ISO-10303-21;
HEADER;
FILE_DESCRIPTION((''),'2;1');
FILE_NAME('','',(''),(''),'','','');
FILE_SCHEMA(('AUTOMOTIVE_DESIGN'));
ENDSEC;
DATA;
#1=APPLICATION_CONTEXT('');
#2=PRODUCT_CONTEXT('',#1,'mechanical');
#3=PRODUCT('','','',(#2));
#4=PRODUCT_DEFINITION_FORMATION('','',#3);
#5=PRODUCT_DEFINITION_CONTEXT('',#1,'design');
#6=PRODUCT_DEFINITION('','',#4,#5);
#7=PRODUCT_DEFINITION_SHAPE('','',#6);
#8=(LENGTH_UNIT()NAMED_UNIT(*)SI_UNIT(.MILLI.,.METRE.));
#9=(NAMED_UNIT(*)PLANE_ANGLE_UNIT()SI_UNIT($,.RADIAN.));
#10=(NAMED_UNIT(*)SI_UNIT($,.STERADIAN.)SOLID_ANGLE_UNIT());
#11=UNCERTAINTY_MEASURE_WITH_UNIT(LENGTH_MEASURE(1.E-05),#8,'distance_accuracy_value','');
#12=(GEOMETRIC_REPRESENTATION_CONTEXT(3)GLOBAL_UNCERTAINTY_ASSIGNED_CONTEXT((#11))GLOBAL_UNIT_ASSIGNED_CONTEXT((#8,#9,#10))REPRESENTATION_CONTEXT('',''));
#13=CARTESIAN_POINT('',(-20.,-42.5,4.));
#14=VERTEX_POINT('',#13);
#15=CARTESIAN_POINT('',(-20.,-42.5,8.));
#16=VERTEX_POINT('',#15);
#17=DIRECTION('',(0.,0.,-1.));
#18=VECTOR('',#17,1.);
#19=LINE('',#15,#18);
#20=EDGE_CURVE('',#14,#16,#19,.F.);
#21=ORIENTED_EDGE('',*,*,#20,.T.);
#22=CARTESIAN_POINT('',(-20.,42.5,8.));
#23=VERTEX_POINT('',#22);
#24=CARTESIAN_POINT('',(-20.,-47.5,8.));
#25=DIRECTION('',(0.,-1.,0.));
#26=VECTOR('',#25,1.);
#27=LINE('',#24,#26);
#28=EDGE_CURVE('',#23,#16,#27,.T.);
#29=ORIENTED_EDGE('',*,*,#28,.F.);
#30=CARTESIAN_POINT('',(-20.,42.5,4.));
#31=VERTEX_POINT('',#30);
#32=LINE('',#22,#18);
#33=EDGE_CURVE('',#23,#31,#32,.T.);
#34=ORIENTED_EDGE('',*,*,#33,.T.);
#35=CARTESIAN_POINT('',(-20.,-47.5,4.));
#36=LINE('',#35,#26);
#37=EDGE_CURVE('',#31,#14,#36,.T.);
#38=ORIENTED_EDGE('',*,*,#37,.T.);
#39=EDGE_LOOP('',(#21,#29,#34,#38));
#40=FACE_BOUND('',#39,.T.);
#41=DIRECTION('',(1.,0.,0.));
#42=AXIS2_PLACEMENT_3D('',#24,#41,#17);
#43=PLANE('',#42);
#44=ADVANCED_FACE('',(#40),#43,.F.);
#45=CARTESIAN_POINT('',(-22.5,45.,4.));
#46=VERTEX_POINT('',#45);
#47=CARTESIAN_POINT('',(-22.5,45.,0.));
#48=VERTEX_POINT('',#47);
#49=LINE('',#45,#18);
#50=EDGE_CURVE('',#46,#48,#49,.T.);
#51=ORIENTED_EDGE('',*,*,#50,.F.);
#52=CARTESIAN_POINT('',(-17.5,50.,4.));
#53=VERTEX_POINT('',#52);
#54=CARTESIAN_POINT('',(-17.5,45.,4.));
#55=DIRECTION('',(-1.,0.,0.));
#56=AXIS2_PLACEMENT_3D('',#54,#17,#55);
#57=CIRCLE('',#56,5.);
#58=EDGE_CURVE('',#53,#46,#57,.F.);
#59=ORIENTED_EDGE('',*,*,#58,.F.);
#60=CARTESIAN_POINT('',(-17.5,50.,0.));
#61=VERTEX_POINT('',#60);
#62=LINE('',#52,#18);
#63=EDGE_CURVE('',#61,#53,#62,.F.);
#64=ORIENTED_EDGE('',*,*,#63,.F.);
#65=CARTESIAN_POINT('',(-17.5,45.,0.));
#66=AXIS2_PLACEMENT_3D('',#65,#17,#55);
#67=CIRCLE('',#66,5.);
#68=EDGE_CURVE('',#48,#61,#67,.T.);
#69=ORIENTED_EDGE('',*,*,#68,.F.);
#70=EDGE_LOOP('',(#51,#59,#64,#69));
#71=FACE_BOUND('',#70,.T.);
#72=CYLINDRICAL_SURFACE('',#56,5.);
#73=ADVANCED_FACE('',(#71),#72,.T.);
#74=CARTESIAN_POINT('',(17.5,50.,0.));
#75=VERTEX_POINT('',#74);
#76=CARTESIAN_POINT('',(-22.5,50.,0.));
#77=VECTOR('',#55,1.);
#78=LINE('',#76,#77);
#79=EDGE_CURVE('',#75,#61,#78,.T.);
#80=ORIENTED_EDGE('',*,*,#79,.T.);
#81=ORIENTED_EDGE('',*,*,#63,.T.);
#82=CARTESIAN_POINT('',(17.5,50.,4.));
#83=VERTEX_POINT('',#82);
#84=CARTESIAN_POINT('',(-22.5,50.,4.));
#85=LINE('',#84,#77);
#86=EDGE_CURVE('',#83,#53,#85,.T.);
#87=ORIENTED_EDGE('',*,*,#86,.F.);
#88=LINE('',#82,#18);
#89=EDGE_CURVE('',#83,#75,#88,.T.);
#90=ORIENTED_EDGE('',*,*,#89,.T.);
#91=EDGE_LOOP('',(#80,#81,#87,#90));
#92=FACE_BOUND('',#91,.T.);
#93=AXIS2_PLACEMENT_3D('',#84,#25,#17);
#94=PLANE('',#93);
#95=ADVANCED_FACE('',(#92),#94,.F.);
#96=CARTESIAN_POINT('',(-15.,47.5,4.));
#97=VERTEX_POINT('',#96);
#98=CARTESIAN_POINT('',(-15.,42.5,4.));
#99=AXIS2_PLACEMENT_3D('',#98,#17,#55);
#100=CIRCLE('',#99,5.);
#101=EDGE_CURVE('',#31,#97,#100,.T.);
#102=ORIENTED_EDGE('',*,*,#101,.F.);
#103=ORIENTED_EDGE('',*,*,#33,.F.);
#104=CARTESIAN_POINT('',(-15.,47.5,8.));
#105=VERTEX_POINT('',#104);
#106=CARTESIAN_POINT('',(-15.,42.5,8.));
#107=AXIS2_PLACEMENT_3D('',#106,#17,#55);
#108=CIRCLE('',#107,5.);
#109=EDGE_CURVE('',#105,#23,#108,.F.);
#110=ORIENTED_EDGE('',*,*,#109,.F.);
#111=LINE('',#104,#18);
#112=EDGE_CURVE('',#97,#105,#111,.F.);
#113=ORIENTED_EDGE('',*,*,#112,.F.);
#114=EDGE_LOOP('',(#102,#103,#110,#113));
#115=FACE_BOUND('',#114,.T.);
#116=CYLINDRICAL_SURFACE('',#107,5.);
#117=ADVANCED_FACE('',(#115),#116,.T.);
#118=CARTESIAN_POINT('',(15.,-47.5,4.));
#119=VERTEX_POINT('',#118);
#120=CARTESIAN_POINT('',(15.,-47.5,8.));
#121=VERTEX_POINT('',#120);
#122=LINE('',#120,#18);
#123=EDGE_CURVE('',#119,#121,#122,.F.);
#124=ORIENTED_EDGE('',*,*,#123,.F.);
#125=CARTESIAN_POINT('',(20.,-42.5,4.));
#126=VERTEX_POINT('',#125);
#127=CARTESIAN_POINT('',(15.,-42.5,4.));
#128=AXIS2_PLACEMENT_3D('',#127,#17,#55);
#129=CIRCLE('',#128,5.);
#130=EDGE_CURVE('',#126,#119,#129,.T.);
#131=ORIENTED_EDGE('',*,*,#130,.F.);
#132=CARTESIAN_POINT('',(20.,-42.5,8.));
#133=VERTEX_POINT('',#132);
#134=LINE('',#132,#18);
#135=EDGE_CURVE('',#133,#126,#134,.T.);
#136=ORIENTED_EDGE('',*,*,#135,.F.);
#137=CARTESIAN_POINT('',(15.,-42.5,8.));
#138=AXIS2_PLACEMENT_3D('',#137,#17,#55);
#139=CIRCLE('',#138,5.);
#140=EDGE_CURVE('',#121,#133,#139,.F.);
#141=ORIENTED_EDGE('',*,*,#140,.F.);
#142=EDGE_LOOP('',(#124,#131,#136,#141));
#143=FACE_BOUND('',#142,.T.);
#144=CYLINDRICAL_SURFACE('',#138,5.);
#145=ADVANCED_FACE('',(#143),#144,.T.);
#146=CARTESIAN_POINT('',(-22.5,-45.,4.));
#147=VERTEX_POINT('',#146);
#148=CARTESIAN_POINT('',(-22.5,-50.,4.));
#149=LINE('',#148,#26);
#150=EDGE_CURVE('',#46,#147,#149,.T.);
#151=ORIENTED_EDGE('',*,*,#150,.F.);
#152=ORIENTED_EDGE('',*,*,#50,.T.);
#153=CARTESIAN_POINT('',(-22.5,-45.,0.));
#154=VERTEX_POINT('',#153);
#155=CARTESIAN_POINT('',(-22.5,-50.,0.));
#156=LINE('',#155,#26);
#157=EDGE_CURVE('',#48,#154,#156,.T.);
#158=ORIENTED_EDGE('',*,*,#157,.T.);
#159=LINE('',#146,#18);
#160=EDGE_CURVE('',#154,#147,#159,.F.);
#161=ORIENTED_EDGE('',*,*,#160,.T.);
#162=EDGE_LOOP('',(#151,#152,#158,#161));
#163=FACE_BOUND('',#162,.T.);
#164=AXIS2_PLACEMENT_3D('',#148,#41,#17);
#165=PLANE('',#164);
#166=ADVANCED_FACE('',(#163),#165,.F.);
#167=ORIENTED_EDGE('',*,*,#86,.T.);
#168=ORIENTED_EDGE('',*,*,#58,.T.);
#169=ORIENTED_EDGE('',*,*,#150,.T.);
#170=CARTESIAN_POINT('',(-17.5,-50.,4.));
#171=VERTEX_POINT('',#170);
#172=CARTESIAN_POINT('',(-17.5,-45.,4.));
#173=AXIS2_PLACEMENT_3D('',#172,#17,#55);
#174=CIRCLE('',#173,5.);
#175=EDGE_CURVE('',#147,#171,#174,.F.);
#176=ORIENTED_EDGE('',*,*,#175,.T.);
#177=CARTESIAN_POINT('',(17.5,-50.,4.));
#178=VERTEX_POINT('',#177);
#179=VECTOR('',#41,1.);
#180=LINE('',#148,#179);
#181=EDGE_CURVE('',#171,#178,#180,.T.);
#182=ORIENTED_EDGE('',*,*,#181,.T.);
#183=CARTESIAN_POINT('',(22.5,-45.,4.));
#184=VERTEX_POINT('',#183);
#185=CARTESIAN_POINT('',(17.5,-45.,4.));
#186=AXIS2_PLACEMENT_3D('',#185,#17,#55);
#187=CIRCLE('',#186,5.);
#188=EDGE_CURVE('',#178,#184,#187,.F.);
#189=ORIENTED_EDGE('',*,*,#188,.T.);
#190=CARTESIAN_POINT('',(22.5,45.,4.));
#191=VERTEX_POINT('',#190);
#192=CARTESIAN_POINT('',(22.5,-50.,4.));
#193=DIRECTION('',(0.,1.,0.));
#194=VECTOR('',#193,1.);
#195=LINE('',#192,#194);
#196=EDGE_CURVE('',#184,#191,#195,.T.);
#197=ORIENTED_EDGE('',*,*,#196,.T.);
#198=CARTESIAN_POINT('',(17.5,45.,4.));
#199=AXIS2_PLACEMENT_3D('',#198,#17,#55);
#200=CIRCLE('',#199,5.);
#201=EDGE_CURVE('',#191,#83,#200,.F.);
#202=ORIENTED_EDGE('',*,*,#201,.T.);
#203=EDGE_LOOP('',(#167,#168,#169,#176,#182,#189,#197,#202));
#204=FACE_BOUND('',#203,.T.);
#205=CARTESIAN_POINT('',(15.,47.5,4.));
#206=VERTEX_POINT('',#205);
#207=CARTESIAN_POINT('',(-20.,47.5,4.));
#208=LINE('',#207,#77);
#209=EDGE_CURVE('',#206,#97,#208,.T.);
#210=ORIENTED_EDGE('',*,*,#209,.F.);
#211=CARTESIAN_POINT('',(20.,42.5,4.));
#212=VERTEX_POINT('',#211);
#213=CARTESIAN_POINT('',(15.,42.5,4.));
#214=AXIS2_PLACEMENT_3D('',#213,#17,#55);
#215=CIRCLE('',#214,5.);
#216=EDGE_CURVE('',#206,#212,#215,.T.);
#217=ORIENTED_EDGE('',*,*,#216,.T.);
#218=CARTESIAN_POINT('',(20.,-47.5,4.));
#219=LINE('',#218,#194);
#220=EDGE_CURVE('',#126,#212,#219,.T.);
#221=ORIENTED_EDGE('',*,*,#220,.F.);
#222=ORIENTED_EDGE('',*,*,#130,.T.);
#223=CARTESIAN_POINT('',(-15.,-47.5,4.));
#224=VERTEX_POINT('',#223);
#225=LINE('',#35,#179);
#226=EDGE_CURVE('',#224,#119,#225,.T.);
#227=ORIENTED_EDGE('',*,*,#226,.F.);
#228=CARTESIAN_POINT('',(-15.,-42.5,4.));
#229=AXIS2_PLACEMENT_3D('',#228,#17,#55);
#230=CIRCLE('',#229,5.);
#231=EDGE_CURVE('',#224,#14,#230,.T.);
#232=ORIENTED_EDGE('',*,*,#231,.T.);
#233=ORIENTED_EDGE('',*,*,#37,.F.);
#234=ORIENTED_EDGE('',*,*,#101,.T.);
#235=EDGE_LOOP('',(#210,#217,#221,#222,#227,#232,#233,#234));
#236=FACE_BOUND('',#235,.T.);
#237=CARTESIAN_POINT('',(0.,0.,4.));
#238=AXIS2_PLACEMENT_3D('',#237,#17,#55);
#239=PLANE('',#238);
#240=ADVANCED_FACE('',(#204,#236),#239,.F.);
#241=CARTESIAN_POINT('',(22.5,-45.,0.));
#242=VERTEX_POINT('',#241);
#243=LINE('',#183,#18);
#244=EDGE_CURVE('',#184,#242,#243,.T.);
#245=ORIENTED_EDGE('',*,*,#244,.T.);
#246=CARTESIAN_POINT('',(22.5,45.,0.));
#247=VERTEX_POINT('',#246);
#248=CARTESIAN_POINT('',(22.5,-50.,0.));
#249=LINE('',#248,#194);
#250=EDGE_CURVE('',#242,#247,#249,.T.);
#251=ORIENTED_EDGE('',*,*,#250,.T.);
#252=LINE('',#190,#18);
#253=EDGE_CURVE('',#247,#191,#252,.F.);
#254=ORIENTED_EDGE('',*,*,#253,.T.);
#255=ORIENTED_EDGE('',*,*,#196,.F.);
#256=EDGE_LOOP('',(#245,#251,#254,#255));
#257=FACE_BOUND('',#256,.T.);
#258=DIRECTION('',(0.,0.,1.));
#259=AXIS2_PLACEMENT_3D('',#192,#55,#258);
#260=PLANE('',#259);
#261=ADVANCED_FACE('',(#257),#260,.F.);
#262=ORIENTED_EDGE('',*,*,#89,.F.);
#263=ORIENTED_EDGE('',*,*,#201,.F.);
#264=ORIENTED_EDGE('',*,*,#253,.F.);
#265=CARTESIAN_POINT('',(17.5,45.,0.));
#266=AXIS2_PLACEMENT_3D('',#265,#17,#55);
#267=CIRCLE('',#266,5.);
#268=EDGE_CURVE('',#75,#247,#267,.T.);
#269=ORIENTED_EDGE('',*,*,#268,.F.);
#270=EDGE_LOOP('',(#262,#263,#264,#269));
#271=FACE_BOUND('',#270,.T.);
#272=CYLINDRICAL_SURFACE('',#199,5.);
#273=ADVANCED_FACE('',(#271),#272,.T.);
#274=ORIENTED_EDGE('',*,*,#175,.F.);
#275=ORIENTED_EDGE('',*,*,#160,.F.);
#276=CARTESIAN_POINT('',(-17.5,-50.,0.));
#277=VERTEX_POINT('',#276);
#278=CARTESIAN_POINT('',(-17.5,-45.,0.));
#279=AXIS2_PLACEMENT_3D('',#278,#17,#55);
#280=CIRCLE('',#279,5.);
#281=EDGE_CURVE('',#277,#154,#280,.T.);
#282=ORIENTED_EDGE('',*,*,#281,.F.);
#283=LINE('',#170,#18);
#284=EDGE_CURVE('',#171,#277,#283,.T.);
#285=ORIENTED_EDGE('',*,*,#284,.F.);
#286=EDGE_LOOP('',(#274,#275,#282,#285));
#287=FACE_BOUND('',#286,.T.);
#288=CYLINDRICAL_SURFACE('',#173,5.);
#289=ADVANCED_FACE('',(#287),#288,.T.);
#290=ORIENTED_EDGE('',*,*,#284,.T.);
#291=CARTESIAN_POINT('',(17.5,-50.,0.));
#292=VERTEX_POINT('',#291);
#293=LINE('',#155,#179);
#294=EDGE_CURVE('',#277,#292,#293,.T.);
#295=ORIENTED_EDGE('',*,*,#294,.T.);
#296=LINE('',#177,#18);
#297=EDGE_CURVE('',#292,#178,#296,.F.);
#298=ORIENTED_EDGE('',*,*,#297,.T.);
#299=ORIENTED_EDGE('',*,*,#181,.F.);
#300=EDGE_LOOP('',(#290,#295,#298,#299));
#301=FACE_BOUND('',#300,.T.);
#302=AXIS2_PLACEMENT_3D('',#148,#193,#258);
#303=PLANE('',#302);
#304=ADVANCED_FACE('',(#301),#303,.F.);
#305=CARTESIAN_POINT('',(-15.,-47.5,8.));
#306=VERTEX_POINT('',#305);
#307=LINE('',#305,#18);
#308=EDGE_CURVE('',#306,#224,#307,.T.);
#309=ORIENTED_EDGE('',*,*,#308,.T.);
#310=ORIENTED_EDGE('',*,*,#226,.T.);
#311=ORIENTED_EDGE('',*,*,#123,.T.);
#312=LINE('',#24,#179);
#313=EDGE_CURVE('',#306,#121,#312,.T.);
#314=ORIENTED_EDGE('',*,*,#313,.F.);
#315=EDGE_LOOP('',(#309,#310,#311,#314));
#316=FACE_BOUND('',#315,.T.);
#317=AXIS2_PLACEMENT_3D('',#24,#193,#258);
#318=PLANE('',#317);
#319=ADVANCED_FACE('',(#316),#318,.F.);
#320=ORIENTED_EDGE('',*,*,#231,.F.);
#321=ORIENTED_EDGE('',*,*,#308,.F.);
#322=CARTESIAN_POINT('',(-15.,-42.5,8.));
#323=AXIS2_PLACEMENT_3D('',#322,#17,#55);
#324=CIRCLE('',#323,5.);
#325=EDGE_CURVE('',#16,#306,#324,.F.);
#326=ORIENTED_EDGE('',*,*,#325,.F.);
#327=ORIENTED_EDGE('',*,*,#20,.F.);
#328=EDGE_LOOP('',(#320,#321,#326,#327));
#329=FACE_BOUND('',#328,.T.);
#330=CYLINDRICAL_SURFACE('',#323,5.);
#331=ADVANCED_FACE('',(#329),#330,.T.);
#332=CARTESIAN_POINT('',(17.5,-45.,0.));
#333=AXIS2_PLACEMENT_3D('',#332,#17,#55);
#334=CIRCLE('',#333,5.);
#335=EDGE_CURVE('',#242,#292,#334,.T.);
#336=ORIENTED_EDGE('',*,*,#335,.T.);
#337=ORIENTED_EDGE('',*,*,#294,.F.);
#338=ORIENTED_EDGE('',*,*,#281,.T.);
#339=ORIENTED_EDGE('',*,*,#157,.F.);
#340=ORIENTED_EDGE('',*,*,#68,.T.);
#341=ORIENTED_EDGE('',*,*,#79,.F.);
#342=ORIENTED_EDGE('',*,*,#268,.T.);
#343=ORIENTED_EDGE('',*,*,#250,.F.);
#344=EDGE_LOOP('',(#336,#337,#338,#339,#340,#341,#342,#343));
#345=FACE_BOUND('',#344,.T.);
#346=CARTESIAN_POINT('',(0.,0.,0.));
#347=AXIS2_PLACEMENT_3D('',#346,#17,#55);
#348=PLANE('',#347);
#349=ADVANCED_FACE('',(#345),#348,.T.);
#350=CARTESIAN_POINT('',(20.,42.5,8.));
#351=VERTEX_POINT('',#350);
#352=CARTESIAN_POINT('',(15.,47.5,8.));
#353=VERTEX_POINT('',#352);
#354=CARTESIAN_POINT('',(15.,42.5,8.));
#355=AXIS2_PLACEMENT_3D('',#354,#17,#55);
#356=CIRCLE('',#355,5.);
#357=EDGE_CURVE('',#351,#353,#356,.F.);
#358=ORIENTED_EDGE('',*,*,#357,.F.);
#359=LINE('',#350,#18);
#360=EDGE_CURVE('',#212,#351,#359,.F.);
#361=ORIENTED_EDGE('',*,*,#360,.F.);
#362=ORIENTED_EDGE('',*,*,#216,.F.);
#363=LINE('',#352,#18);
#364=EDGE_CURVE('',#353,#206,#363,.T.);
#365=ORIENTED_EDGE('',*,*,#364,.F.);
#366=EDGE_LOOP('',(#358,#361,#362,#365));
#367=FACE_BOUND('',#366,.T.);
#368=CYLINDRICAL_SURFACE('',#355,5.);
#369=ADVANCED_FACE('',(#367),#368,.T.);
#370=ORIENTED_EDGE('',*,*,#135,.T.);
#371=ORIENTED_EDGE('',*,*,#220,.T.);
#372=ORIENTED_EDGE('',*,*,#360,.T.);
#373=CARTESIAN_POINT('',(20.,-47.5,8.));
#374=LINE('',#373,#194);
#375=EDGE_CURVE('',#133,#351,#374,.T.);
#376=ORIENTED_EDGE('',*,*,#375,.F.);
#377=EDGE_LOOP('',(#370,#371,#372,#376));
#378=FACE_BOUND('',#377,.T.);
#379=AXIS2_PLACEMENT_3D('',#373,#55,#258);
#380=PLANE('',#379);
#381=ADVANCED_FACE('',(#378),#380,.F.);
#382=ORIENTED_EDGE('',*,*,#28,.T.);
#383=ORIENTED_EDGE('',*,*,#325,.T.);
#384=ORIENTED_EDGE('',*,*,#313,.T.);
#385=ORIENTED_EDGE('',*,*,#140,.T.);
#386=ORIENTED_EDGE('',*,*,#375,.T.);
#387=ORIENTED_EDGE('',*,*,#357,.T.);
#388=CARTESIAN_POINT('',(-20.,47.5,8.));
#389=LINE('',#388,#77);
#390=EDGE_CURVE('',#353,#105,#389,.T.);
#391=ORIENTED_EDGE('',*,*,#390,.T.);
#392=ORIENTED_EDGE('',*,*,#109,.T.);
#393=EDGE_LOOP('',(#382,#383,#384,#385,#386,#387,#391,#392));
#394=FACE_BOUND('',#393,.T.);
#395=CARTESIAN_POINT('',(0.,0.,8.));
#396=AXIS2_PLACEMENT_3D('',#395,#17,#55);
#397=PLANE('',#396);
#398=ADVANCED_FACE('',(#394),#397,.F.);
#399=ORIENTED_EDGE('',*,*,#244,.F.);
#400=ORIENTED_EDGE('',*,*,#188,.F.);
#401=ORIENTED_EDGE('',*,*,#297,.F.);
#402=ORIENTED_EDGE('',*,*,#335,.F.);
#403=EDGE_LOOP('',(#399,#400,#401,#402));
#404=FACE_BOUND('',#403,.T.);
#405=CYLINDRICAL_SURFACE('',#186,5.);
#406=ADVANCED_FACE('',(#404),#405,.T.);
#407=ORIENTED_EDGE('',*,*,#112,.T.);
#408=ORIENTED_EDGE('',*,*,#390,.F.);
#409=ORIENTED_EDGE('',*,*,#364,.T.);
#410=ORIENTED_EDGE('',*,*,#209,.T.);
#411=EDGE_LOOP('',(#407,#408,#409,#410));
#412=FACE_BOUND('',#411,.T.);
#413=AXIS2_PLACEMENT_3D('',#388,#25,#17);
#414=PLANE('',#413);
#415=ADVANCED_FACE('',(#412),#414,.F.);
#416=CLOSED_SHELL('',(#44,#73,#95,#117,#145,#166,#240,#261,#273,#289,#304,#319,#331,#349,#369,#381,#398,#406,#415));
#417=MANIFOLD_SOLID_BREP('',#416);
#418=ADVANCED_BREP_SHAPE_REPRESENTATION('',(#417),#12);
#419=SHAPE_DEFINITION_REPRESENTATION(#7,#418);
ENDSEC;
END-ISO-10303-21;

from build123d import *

# Parameters (mm, degrees)
SKETCH_1_W      = 45
SKETCH_1_H      = 100
EXTRUDE_1_DEPTH = 4
SKETCH_2_W      = 40
SKETCH_2_H      = 95
EXTRUDE_2_DEPTH = 4
FILLET_1_R      = 5


with BuildPart() as part:
    # 草圖1 → 填料-伸長1 (new body)
    with BuildSketch(Plane.XY):
        Rectangle(SKETCH_1_W, SKETCH_1_H)
    extrude(amount=EXTRUDE_1_DEPTH)

    # 草圖2 → 填料-伸長2 (add)
    with BuildSketch(Plane.XY.offset(4)):
        Rectangle(SKETCH_2_W, SKETCH_2_H)
    extrude(amount=EXTRUDE_2_DEPTH)

    # 圓角1
    fillet_1_edges = [part.edges().sort_by_distance(p)[0] for p in [
        (20, -47.5, 6),
        (20, 47.5, 6),
        (-20, 47.5, 6),
        (-20, -47.5, 6),
        (22.5, -50, 2),
        (-22.5, -50, 2),
        (-22.5, 50, 2),
        (22.5, 50, 2),
    ]]
    fillet(fillet_1_edges, radius=FILLET_1_R)


solid = part.part
